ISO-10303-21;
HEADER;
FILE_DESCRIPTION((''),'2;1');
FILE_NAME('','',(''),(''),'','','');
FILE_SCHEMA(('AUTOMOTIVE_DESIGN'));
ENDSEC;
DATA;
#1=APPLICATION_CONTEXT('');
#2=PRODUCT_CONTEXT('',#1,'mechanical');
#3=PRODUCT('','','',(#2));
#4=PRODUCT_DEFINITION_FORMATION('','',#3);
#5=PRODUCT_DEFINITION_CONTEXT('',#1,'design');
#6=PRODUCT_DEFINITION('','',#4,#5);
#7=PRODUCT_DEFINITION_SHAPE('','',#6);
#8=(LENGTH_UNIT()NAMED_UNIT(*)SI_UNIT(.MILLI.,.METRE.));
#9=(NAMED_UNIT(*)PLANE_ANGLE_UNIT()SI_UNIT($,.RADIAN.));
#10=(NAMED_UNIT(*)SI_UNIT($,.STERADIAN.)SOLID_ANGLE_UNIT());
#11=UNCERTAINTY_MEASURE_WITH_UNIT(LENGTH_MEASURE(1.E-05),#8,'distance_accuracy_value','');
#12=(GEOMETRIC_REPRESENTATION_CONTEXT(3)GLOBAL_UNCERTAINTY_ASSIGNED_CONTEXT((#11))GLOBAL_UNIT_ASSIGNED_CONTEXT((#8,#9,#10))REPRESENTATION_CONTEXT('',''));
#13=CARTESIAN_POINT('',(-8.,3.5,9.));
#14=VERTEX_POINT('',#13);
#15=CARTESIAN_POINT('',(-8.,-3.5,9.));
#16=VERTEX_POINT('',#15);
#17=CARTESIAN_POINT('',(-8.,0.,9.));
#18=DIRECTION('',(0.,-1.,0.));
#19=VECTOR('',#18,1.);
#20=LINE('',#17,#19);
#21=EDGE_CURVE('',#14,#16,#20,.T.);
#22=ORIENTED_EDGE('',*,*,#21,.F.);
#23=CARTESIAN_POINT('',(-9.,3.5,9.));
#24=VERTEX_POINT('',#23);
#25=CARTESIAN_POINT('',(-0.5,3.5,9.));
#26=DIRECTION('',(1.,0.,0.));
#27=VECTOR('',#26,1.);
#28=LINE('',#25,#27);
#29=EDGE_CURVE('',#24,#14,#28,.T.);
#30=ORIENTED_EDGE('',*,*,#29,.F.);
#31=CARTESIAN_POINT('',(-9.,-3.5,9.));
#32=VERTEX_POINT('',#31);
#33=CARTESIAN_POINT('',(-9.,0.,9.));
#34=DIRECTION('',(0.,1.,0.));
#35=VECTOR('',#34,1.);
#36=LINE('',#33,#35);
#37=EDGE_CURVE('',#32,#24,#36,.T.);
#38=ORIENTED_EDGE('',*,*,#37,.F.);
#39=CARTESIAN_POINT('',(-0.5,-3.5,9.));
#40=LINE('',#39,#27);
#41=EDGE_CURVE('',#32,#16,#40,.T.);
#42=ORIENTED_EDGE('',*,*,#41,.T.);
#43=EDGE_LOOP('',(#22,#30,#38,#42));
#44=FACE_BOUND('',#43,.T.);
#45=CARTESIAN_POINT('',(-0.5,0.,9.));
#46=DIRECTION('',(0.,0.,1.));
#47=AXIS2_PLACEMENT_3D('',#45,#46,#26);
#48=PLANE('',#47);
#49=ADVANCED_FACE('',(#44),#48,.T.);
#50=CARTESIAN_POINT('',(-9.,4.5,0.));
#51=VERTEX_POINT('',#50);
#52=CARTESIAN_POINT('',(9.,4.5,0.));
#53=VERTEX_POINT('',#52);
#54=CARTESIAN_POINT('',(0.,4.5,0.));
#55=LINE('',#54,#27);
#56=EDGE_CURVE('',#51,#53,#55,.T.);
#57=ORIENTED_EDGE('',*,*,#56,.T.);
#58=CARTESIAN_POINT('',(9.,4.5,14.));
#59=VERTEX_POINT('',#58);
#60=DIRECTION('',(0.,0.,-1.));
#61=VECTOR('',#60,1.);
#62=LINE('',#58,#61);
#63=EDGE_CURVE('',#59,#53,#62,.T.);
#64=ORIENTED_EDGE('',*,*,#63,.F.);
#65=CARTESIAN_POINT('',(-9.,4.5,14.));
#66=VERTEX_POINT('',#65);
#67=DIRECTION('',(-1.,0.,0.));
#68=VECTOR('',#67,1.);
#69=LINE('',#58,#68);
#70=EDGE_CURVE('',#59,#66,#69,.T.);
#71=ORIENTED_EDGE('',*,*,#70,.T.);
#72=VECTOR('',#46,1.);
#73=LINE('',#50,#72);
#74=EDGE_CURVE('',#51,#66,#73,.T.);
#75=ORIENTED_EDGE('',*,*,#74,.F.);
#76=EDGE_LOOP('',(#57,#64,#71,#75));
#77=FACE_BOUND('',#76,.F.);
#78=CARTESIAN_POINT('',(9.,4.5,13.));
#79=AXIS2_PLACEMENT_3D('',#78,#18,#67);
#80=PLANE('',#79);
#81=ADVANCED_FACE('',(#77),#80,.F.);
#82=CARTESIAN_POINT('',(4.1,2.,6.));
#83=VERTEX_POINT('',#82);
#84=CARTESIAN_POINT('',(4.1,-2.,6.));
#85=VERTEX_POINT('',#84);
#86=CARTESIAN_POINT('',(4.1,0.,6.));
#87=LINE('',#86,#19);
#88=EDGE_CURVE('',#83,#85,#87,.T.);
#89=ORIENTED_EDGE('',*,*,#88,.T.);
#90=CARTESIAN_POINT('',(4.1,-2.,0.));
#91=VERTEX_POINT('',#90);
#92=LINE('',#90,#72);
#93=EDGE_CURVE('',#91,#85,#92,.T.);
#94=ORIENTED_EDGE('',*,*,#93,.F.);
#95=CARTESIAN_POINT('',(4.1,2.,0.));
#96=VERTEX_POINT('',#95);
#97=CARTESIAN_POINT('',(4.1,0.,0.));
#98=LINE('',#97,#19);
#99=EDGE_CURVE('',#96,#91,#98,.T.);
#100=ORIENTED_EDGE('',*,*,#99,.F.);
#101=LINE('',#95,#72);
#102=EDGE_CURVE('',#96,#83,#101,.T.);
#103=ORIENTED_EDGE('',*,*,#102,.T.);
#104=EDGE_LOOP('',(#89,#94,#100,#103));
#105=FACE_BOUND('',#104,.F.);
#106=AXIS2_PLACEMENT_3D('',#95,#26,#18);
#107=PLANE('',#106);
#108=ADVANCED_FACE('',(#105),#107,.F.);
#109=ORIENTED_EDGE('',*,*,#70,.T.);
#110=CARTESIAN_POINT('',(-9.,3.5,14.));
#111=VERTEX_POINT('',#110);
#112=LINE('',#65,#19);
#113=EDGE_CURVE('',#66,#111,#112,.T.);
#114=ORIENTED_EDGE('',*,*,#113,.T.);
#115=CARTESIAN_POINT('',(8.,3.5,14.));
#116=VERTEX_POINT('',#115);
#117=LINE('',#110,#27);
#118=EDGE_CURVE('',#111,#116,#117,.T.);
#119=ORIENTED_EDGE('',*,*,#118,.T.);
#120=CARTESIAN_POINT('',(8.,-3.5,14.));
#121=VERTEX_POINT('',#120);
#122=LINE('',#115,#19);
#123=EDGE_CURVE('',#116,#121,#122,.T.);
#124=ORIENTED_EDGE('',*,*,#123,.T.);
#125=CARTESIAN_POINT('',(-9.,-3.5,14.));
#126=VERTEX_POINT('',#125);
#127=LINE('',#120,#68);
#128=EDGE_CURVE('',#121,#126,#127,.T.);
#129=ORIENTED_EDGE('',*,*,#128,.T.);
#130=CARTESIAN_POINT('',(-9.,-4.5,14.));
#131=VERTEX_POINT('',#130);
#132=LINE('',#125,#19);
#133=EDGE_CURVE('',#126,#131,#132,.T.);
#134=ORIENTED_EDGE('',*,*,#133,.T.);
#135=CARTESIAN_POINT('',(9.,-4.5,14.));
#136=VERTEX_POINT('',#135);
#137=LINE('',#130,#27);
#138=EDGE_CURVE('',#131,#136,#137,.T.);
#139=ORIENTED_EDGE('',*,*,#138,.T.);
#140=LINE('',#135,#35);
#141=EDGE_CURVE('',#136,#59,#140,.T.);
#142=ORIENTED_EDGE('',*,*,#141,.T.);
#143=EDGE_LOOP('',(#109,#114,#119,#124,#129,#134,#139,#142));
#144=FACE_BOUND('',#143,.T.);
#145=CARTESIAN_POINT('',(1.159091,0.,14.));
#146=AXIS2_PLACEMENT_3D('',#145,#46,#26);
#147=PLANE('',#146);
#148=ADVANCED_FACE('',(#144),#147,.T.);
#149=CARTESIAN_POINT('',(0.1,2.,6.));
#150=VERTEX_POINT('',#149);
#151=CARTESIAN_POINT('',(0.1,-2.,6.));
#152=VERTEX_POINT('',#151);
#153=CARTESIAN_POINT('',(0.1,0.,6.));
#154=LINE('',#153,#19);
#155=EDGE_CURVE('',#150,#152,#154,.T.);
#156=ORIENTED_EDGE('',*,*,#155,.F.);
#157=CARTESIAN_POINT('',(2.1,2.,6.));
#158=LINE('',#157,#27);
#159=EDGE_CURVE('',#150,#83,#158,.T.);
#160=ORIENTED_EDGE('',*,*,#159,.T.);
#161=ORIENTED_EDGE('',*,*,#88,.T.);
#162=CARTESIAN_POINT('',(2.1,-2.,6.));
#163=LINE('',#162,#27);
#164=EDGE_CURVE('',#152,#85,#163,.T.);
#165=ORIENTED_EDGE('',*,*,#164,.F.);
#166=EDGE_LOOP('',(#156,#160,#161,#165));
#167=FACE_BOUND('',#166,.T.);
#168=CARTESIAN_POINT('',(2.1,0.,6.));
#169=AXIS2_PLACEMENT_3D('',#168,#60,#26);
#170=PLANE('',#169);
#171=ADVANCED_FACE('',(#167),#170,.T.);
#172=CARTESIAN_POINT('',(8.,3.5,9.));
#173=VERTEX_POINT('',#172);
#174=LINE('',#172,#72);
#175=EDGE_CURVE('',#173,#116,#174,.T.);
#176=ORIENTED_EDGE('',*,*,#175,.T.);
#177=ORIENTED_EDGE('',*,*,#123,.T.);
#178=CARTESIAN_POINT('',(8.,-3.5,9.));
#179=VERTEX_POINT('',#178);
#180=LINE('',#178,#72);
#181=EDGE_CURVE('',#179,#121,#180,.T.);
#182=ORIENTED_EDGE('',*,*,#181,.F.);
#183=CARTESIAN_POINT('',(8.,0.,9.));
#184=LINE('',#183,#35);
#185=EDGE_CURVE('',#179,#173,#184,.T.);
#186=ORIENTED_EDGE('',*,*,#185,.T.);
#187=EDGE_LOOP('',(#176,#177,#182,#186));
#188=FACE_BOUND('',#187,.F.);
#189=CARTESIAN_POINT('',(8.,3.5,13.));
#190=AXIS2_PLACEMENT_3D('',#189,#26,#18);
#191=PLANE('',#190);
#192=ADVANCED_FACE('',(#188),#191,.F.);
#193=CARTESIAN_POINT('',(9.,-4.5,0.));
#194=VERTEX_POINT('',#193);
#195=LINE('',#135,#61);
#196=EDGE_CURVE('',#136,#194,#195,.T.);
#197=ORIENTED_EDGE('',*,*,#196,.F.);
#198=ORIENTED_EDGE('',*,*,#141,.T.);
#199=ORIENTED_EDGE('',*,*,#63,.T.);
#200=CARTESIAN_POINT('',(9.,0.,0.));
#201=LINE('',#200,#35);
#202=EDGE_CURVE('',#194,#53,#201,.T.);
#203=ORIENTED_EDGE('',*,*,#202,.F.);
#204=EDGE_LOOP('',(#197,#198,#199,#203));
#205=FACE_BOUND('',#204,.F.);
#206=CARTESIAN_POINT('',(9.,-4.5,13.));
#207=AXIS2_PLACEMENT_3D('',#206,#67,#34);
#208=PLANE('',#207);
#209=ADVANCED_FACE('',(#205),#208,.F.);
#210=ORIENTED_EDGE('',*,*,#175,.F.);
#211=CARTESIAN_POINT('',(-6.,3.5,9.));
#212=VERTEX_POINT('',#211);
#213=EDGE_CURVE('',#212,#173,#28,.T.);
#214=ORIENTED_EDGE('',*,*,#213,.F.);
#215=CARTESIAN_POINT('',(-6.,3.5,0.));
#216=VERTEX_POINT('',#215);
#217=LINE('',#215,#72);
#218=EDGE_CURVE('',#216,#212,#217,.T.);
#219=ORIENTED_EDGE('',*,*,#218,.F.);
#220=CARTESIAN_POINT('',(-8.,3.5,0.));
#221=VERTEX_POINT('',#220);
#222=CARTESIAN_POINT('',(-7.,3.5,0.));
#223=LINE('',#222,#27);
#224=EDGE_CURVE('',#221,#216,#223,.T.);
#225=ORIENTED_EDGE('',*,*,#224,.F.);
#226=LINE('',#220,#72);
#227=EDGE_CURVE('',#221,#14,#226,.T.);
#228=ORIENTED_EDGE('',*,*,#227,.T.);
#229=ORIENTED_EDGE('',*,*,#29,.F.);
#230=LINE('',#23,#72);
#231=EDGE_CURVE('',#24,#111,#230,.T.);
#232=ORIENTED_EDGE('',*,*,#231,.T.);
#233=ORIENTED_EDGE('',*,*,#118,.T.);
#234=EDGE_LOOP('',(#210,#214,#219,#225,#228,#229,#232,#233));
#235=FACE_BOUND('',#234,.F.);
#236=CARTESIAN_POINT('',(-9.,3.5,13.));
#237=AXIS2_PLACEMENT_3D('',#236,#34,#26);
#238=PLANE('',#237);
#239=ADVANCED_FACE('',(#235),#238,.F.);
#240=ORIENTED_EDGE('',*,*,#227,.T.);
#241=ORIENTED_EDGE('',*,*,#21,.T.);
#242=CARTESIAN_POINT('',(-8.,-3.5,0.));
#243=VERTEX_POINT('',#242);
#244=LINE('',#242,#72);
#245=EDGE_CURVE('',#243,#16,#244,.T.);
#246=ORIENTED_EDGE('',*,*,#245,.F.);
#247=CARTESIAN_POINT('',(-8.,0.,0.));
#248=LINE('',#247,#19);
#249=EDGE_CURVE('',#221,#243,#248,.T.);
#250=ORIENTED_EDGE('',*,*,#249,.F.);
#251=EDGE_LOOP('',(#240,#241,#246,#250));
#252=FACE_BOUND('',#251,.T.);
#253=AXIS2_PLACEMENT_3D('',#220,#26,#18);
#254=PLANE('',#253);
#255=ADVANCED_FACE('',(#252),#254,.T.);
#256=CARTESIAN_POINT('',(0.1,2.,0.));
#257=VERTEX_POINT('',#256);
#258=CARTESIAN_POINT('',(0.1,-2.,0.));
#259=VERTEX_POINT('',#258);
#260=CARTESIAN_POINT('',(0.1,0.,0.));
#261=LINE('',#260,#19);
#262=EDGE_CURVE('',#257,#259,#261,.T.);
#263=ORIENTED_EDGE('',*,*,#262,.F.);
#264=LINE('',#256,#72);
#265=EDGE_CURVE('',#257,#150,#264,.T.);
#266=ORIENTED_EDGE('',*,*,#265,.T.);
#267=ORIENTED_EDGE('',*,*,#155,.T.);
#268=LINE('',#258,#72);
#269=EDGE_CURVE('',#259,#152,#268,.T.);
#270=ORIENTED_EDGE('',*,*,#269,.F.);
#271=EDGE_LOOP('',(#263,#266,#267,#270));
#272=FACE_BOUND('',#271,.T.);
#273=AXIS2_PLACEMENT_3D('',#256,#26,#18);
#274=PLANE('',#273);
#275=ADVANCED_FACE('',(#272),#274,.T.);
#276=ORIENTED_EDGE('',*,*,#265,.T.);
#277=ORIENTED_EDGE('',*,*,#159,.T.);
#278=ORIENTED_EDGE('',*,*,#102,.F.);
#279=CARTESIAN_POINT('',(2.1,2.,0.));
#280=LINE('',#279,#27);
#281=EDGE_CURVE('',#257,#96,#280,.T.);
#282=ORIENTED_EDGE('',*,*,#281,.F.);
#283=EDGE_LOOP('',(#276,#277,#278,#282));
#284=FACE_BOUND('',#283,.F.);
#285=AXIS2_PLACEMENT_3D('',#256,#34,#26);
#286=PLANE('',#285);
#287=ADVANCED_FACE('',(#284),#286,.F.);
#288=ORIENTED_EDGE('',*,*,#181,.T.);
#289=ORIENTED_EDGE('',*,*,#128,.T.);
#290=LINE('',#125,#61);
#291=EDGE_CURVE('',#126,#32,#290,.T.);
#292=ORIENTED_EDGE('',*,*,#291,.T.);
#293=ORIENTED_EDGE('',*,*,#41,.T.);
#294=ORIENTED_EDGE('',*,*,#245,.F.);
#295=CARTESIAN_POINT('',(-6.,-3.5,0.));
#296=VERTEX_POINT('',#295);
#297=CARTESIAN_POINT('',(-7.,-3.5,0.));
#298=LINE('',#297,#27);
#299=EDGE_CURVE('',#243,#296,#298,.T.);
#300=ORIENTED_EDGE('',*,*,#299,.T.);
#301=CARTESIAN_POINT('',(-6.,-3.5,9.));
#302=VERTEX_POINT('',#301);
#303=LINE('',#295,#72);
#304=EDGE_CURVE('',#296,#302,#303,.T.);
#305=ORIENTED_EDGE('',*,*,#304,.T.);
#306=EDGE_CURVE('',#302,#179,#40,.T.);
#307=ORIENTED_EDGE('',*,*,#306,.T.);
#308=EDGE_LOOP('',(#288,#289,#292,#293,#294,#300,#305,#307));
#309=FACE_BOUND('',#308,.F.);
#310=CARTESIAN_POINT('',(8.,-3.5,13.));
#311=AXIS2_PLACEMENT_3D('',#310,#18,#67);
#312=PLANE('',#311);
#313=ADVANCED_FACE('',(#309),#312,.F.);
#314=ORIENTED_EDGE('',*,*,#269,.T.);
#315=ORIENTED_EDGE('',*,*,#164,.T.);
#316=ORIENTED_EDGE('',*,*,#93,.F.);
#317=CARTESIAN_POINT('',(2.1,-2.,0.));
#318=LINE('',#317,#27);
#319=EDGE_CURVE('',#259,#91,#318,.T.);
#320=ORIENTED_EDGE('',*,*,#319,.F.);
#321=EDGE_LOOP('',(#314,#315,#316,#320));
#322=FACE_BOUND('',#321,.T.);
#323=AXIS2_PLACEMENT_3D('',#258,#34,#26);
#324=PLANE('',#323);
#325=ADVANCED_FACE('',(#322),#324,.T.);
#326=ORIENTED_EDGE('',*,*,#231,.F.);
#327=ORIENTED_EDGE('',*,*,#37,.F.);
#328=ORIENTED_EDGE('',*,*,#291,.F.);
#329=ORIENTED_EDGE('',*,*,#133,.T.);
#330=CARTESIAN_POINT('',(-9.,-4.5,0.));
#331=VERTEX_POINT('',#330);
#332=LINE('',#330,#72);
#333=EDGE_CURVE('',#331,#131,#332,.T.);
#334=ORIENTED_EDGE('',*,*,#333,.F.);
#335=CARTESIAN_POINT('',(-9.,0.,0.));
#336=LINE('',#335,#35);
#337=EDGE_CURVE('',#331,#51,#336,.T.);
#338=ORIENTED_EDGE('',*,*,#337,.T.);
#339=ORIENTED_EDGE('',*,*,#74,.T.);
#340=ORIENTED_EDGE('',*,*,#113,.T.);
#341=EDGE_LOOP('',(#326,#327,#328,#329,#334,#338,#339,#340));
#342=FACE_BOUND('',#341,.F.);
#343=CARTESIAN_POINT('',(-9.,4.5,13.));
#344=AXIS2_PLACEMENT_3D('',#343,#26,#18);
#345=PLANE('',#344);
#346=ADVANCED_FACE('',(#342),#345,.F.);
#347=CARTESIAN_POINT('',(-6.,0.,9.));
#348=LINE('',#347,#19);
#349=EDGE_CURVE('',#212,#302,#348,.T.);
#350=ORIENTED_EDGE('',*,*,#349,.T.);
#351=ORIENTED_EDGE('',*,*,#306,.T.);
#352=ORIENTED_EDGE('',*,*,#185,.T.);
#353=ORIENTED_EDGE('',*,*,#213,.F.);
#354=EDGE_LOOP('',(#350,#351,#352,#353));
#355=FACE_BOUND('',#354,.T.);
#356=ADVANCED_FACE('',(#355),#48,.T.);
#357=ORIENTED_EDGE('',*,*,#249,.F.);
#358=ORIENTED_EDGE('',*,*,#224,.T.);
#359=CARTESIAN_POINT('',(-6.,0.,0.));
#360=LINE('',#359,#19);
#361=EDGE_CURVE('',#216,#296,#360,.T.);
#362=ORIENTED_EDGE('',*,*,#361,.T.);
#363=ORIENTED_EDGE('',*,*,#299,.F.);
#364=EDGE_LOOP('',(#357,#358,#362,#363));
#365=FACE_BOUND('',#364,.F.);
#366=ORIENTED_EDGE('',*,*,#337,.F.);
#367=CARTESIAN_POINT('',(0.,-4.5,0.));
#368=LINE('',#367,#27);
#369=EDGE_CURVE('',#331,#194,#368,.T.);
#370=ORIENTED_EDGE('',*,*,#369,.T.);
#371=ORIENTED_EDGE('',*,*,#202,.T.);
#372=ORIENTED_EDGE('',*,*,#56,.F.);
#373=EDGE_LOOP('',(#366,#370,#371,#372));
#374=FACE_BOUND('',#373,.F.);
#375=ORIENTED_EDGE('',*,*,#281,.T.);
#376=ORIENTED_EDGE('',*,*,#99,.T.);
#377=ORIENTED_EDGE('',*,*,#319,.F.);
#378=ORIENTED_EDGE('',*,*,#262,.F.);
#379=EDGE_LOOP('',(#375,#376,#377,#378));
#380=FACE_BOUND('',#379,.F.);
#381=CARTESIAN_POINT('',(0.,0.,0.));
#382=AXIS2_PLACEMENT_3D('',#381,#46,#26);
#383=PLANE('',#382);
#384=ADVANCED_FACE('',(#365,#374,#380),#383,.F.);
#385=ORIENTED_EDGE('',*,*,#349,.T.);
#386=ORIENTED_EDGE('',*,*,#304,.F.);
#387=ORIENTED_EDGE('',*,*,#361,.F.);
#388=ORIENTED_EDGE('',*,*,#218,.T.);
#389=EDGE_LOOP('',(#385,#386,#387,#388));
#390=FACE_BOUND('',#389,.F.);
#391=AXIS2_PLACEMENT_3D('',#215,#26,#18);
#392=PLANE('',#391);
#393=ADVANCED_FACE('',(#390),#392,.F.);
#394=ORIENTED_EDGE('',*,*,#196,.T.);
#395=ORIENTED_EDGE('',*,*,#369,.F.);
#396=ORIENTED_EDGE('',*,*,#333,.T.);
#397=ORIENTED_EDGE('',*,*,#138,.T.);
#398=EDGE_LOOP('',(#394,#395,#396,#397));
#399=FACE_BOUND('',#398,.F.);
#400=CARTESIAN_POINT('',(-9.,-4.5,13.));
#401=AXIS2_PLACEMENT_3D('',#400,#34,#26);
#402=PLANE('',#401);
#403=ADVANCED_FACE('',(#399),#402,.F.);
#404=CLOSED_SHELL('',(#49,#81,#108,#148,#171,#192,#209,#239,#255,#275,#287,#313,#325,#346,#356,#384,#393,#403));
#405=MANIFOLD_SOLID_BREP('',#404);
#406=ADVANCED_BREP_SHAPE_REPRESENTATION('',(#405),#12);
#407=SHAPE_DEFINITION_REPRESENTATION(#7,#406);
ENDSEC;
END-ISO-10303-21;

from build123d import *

# Parameters (mm, degrees)
F0_W     = 18
F0_H     = 9
F1_DEPTH = 13
F2_W     = 17
F2_H     = 7
F3_DEPTH = 4
F4_W     = 4
F4_H     = 4
F5_DEPTH = 6
F4_W_2   = 2
F4_H_2   = 7
F6_DEPTH = 9
F8_DEPTH = 1


with BuildPart() as f1:
    # F0 (on Top) → F1 (new body)
    with BuildSketch(Plane.XY):
        Rectangle(F0_W, F0_H)
    extrude(amount=F1_DEPTH)

    # F2 (on face) → F3 (cut)
    with BuildSketch(Plane.XY.offset(13)):
        with Locations((-0.5, 0)):
            Rectangle(F2_W, F2_H)
    extrude(amount=-F3_DEPTH, mode=Mode.SUBTRACT)

    # F4 (on face) → F5 (cut)
    with BuildSketch(Plane(origin=(0, 0, 0), x_dir=(1, 0, 0), z_dir=(0, 0, -1))):
        with Locations((2.1, 0)):
            Rectangle(F4_W, F4_H)
    extrude(amount=-F5_DEPTH, mode=Mode.SUBTRACT)

    # F4 (on face) → F6 (cut)
    with BuildSketch(Plane(origin=(0, 0, 0), x_dir=(1, 0, 0), z_dir=(0, 0, -1))):
        with Locations((-7, 0)):
            Rectangle(F4_W_2, F4_H_2)
    extrude(amount=-F6_DEPTH, mode=Mode.SUBTRACT)

    # F7 (on face) → F8 (join)
    with BuildSketch(Plane.XY.offset(13)):
        Polygon((9, 4.5), (-9, 4.5), (-9, 3.5), (8, 3.5), (8, -3.5), (-9, -3.5), (-9, -4.5), (9, -4.5), align=None)
    extrude(amount=F8_DEPTH)


solid = f1.part
